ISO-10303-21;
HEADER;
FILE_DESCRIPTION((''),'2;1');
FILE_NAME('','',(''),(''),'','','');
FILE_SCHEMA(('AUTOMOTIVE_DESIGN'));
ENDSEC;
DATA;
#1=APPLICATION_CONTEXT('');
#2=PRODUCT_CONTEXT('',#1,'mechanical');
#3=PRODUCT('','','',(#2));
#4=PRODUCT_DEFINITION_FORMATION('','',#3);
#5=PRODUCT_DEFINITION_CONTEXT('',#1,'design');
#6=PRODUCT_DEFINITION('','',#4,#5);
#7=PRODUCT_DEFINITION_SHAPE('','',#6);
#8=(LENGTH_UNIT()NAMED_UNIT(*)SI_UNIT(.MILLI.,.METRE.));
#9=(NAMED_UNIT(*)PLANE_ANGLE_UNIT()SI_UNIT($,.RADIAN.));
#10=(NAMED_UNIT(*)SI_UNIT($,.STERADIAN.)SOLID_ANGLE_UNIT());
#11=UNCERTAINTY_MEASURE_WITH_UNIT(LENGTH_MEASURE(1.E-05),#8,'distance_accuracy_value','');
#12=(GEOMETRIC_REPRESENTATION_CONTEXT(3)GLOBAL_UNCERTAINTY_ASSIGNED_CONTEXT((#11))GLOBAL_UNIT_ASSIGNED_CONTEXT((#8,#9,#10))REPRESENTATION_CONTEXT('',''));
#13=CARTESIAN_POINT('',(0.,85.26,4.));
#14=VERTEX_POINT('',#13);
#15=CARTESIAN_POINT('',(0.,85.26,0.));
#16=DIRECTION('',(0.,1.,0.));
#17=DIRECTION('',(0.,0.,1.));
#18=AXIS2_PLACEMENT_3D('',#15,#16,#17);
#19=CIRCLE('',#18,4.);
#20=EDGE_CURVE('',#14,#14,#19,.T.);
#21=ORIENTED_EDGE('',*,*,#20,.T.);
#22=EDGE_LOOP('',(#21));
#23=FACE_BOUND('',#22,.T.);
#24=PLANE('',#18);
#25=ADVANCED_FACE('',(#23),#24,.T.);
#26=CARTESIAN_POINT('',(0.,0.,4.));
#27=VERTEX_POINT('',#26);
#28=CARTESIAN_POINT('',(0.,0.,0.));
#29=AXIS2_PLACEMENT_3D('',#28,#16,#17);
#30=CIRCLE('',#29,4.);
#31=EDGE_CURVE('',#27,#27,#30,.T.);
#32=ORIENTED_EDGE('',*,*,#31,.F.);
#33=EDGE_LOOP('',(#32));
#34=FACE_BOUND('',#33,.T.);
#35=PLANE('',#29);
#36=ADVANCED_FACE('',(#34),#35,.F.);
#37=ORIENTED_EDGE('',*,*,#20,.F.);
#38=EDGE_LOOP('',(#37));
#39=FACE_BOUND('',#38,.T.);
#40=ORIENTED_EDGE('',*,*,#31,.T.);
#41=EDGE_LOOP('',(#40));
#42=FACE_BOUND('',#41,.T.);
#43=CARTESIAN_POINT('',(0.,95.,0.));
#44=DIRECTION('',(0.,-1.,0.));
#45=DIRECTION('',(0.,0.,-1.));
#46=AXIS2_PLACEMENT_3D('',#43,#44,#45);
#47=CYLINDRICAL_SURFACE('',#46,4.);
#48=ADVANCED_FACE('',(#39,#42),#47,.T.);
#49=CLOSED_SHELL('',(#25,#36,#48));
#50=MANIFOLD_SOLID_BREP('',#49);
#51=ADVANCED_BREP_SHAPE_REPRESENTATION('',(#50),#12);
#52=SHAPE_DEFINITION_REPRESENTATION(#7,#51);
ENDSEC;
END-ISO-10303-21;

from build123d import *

# Parameters (mm, degrees)
SKETCH1_R           = 4
BOSS_EXTRUDE1_DEPTH = 95
SKETCH2_R           = 4
CUT_EXTRUDE1_DEPTH  = 9.74


with BuildPart() as part:
    # Sketch1 → Boss-Extrude1 (new body)
    with BuildSketch(Plane(origin=(0, 0, 0), x_dir=(1, 0, 0), z_dir=(0, 1, 0))):
        Circle(SKETCH1_R)
    extrude(amount=BOSS_EXTRUDE1_DEPTH)

    # Sketch2 → Cut-Extrude1 (cut)
    with BuildSketch(Plane(origin=(0, 95, 0), x_dir=(1, 0, 0), z_dir=(0, 1, 0))):
        Circle(SKETCH2_R)
    extrude(amount=-CUT_EXTRUDE1_DEPTH, mode=Mode.SUBTRACT)


solid = part.part
